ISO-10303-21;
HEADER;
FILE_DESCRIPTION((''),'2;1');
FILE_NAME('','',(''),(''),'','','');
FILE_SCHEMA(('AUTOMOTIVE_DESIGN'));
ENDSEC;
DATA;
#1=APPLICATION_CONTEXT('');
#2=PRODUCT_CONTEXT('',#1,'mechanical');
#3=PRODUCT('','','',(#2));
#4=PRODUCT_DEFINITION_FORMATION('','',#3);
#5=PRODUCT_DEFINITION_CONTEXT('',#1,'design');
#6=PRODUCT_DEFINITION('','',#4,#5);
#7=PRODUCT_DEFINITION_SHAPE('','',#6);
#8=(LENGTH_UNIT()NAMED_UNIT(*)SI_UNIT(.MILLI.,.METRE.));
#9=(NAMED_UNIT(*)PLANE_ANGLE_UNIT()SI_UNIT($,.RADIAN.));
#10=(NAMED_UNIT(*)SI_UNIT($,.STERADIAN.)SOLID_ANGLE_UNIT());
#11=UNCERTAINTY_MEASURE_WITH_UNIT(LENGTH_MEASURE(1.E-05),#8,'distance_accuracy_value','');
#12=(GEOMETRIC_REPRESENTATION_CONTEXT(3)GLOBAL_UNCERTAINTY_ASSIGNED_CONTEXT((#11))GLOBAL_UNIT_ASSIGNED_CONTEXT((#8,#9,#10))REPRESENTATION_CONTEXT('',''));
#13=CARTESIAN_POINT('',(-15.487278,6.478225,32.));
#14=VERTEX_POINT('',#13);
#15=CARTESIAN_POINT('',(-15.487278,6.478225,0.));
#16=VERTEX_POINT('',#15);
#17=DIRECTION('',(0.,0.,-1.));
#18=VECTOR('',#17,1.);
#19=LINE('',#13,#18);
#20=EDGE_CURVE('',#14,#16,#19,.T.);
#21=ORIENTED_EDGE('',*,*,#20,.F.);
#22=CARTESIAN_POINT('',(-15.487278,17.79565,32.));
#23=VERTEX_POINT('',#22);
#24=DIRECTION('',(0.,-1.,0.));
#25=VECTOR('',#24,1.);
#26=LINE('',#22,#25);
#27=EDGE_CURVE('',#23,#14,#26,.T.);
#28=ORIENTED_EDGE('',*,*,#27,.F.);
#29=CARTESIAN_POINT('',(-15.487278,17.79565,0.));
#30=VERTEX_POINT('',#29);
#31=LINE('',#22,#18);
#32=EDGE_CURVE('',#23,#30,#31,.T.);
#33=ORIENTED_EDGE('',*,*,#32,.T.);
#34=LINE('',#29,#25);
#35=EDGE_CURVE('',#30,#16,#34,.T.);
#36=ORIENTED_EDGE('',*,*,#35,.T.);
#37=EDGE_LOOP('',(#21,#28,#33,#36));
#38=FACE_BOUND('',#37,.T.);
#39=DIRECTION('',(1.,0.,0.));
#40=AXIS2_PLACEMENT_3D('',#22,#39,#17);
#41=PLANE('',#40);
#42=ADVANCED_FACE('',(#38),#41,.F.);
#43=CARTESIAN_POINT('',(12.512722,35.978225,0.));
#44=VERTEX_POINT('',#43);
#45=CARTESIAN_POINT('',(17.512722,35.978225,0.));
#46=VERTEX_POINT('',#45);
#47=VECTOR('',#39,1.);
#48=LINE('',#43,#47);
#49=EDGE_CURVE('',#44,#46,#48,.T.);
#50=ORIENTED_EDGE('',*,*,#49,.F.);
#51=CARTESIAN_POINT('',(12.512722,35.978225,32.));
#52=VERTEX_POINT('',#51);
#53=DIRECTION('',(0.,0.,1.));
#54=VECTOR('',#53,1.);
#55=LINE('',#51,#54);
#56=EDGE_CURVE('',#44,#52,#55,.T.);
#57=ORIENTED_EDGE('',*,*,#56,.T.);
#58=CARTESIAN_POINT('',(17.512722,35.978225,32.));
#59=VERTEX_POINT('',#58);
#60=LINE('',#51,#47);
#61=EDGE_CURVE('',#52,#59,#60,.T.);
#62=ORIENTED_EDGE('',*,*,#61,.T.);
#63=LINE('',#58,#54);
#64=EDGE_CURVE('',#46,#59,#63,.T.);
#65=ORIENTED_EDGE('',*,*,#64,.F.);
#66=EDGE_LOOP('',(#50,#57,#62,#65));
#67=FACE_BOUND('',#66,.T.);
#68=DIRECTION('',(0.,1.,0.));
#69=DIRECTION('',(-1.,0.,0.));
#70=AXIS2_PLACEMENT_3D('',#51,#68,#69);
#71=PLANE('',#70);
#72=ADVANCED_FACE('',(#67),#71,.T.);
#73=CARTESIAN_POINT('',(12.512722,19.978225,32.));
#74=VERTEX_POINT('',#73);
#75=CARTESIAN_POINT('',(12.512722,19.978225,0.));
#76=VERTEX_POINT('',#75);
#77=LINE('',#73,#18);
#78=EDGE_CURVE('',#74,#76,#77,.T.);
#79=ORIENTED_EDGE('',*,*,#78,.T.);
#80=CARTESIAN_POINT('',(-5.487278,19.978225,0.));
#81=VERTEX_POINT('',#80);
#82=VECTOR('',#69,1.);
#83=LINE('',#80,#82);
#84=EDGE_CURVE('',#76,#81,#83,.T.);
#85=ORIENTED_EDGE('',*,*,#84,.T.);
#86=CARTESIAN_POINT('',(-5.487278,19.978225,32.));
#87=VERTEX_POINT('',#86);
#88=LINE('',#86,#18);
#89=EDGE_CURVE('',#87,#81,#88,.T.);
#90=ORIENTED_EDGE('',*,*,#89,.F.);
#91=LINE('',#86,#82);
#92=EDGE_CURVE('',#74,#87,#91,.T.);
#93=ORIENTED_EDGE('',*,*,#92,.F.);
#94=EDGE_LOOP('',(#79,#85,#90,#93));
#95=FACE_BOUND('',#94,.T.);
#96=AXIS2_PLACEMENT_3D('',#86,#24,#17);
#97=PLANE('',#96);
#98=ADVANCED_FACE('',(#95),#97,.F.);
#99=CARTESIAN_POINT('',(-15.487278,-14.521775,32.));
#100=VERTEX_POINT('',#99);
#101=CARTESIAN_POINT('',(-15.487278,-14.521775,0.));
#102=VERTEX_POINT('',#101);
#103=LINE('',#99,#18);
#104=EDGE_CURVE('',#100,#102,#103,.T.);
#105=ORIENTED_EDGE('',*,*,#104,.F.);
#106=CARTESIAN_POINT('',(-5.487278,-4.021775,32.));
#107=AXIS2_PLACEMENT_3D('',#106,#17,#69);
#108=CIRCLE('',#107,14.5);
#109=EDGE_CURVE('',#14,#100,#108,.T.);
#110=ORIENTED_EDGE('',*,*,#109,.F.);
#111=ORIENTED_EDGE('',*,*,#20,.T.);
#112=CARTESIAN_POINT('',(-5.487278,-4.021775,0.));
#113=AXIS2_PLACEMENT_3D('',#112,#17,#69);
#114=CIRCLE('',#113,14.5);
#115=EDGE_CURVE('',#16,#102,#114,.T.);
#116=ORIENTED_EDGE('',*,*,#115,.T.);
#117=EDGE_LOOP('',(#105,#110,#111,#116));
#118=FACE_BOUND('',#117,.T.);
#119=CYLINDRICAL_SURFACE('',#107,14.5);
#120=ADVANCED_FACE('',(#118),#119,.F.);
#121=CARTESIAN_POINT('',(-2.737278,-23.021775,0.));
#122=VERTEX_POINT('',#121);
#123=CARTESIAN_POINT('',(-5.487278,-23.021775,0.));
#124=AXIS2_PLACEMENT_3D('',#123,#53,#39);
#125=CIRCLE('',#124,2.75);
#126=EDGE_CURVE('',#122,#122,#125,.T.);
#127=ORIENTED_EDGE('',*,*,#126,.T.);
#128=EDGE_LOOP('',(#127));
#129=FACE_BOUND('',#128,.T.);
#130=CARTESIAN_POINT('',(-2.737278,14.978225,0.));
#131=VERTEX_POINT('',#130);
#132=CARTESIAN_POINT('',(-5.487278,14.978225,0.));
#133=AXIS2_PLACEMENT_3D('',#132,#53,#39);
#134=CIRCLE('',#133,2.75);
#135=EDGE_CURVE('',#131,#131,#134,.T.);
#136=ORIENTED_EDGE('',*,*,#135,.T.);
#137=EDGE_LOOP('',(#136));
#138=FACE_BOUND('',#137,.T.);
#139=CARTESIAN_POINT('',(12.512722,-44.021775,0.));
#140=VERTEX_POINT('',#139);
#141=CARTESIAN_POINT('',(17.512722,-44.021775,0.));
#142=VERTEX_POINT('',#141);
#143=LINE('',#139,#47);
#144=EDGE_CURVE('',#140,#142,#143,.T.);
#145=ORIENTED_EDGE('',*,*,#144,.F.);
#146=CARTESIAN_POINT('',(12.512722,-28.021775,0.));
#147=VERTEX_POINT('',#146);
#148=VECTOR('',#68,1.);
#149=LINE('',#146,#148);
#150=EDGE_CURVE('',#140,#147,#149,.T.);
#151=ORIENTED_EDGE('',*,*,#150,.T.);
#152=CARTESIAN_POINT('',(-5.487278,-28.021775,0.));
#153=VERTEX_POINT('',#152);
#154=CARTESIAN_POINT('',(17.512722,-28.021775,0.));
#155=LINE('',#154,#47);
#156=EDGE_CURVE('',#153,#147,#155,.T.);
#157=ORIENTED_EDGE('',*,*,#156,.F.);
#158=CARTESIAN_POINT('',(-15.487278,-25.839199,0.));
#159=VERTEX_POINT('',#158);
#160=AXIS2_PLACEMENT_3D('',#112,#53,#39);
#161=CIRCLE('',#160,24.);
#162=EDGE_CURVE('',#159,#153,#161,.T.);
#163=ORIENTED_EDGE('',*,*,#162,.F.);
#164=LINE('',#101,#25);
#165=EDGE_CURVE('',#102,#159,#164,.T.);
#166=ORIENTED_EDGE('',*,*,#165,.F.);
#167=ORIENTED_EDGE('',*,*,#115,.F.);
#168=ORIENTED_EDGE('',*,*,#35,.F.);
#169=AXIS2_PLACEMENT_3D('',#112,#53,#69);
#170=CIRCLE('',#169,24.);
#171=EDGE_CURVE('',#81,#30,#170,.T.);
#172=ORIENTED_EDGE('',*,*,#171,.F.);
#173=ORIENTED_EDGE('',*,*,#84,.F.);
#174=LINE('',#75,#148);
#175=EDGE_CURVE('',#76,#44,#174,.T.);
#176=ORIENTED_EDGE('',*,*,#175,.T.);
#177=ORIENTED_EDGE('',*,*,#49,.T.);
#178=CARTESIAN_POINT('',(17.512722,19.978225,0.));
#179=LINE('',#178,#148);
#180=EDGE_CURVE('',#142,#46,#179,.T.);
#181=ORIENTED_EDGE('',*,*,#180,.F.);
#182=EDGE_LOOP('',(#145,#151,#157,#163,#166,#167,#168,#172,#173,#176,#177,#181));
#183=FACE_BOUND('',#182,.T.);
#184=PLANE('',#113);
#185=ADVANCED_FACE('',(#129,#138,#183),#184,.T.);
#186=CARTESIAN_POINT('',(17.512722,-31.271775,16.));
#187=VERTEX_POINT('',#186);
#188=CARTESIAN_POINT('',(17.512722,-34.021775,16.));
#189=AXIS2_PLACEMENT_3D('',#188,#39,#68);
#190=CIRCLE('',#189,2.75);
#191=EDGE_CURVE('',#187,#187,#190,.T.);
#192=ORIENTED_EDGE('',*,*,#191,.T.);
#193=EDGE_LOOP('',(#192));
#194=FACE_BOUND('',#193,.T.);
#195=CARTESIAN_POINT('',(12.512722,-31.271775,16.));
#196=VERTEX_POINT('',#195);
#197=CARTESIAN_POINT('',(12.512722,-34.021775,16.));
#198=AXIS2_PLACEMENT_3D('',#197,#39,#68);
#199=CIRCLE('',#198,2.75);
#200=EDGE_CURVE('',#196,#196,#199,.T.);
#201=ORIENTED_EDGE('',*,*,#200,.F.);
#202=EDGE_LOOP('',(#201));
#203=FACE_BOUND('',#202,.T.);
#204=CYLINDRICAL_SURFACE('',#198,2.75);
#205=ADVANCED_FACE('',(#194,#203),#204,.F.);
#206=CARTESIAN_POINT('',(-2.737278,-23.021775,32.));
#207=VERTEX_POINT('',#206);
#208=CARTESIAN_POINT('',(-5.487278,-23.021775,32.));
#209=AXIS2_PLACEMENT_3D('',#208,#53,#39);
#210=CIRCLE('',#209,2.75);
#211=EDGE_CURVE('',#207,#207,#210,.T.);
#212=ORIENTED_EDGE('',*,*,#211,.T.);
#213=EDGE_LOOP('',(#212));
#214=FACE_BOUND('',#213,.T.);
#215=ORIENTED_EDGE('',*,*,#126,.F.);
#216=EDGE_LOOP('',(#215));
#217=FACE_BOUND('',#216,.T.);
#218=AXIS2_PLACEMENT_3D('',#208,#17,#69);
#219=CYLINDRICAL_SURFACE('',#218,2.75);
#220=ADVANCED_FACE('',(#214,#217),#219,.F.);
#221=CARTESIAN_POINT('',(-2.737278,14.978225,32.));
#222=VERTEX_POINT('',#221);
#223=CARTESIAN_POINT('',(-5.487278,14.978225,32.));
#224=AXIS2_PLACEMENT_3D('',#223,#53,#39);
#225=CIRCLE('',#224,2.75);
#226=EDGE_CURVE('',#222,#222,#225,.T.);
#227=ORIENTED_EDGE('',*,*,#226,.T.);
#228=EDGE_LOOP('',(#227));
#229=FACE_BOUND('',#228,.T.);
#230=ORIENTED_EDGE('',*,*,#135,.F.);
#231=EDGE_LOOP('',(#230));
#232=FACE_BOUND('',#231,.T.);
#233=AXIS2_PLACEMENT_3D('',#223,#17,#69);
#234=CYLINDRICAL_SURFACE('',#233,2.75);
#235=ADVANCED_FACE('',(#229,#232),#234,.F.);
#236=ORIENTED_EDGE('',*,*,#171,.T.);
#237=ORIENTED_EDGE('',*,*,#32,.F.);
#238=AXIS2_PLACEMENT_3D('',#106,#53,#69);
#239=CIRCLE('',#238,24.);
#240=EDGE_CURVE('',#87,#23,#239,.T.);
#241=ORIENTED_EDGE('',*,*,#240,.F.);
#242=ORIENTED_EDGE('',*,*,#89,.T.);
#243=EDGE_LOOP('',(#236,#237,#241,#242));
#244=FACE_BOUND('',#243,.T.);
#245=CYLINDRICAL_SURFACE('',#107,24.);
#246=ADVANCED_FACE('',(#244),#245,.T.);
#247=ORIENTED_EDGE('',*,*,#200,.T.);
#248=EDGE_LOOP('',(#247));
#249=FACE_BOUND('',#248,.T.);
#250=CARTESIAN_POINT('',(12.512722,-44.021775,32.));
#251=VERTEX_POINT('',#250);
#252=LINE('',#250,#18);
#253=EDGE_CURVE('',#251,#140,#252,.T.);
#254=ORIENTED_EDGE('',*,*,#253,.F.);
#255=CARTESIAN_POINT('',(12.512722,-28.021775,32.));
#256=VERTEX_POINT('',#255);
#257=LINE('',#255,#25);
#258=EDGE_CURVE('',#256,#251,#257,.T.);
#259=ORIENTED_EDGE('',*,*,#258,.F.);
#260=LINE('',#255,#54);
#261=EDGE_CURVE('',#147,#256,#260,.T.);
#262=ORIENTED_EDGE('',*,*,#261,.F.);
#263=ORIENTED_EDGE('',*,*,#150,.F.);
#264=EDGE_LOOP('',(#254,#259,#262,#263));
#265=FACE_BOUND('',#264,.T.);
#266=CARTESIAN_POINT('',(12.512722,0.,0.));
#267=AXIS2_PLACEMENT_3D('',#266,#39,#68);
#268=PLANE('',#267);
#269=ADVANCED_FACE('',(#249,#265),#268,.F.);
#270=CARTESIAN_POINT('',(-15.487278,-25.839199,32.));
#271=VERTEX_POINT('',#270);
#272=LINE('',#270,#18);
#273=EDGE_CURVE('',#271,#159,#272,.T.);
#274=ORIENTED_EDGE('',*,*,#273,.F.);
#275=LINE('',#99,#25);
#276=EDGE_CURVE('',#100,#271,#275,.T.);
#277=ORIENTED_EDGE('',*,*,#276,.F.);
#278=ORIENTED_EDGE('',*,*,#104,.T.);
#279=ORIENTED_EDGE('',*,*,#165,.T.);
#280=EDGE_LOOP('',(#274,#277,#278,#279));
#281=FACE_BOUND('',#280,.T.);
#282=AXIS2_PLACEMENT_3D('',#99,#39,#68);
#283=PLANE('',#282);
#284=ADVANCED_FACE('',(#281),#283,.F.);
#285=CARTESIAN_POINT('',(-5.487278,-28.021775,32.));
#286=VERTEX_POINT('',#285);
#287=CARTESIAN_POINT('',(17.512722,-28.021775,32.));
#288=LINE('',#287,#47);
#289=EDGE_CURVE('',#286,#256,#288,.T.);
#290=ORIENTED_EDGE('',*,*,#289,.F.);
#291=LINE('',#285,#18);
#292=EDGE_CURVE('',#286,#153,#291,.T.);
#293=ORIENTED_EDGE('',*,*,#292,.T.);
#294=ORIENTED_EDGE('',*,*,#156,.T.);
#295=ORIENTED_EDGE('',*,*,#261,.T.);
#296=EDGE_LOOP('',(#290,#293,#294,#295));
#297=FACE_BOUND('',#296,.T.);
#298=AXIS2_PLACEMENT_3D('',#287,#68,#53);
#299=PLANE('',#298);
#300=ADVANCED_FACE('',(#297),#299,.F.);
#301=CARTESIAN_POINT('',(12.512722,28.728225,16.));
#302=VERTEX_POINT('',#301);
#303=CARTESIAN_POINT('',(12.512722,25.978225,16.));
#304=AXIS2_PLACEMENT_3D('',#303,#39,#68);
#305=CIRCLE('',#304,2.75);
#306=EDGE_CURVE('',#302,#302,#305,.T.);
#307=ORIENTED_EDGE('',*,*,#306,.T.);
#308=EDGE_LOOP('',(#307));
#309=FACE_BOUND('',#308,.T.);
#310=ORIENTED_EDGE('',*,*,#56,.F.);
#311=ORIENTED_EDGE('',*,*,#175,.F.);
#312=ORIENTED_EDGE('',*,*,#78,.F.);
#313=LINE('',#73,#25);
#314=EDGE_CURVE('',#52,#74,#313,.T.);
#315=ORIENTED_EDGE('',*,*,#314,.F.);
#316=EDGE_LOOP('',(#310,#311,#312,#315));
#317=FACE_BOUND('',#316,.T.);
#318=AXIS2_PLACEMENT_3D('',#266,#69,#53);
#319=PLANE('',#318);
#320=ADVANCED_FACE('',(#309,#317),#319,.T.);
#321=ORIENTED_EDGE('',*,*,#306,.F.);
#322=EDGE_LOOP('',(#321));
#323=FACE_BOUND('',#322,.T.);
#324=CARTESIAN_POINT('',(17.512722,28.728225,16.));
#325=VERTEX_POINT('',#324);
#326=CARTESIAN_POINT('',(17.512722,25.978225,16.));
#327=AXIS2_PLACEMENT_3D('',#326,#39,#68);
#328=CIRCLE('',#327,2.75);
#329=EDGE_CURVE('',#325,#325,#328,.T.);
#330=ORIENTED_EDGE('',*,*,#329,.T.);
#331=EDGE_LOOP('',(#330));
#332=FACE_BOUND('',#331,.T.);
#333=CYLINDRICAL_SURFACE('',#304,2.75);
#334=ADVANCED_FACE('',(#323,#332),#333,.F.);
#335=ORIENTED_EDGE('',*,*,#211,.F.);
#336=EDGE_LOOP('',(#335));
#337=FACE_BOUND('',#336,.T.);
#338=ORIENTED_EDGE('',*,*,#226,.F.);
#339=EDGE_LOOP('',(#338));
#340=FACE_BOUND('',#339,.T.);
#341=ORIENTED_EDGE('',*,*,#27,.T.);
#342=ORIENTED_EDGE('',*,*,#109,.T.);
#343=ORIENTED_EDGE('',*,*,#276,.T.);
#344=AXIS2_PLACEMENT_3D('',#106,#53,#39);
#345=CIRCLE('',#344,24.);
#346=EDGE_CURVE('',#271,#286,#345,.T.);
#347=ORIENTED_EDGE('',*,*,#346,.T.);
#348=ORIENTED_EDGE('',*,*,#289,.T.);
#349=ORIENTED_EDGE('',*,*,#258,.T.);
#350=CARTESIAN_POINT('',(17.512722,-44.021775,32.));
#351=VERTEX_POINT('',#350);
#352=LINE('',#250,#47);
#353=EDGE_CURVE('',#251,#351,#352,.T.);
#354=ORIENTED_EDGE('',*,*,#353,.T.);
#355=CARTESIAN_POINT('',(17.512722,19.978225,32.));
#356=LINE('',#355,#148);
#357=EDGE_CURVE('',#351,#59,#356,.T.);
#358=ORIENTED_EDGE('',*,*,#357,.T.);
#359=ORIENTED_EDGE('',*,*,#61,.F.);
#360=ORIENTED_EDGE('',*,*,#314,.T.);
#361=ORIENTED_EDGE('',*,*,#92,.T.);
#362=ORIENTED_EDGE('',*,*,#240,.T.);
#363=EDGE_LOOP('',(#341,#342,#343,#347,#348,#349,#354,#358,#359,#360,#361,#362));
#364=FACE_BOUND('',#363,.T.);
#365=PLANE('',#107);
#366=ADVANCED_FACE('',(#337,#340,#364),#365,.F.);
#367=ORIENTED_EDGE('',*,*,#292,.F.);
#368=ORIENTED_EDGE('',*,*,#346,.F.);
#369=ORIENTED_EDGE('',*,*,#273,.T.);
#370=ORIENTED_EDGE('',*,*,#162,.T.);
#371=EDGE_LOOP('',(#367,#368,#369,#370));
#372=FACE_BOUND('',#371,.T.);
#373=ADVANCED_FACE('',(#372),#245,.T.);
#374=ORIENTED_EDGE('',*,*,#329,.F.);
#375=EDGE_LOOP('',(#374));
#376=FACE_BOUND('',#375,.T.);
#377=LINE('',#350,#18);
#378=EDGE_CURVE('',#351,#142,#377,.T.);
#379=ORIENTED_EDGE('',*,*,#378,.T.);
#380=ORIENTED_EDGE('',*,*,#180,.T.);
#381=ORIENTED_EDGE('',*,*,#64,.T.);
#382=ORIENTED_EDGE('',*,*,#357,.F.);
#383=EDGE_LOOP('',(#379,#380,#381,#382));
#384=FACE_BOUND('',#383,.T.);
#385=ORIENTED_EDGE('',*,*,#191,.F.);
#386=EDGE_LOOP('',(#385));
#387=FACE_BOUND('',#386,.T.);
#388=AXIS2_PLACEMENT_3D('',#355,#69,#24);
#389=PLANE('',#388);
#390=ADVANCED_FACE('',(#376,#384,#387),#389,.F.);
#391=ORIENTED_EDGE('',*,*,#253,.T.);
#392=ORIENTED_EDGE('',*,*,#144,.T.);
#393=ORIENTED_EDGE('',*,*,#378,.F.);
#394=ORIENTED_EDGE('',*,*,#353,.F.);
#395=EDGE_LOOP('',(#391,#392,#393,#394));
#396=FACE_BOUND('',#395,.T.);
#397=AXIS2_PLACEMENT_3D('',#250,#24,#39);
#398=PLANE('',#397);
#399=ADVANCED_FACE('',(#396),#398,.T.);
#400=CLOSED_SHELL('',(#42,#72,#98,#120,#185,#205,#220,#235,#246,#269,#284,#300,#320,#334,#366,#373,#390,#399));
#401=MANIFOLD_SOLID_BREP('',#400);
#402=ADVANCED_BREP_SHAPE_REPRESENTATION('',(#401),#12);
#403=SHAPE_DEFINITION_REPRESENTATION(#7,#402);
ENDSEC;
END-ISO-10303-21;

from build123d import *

# Parameters (mm, degrees)
ESQUISSE2_R        = 2.75
BOSS_EXTRU_1_DEPTH = 32
ESQUISSE3_W        = 32
ESQUISSE3_H        = 16
ESQUISSE3_R        = 2.75
BOSS_EXTRU_2_DEPTH = 5


with BuildPart() as part:
    # Esquisse2 → Boss.-Extru.1 (new body)
    with BuildSketch(Plane.XY):
        with BuildLine():
            Line((-5.48727754, 19.978225401), (17.51272246, 19.978225401))
            Line((17.51272246, 19.978225401), (17.51272246, -28.021774599))
            Line((17.51272246, -28.021774599), (-5.48727754, -28.021774599))
            ThreePointArc((-5.48727754, -28.021774599), (-10.604983007, -27.469782846), (-15.48727754, -25.839198829))
            Line((-15.48727754, -25.839198829), (-15.48727754, -14.521774599))
            ThreePointArc((-15.48727754, -14.521774599), (9.01272246, -4.021774599), (-15.48727754, 6.478225401))
            Line((-15.48727754, 6.478225401), (-15.48727754, 17.79564963))
            ThreePointArc((-15.48727754, 17.79564963), (-10.604983007, 19.426233648), (-5.48727754, 19.978225401))
        make_face()
        with Locations((-5.48727754, 14.978225401)):
            Circle(ESQUISSE2_R, mode=Mode.SUBTRACT)
        with Locations((-5.48727754, -23.021774599)):
            Circle(ESQUISSE2_R, mode=Mode.SUBTRACT)
    extrude(amount=BOSS_EXTRU_1_DEPTH)

    # Esquisse3 → Boss.-Extru.2 (add)
    # profile 1 of 2: a face of its own
    with BuildSketch(Plane(origin=(17.51272246, 0, 0), x_dir=(0, 0, -1), z_dir=(1, 0, 0))):
        with Locations((-16, 27.978225401)):
            Rectangle(ESQUISSE3_W, ESQUISSE3_H)
        with Locations(Location((-16, 25.978225401, 0), (0, 0, 90))):
            Circle(ESQUISSE3_R, mode=Mode.SUBTRACT)
    # profile 2 of 2: a face of its own
    with BuildSketch(Plane(origin=(17.51272246, 0, 0), x_dir=(0, 0, -1), z_dir=(1, 0, 0))):
        with Locations((-16, -36.021774599)):
            Rectangle(ESQUISSE3_W, ESQUISSE3_H)
        with Locations(Location((-16, -34.021774599, 0), (0, 0, 90))):
            Circle(ESQUISSE3_R, mode=Mode.SUBTRACT)
    extrude(amount=-BOSS_EXTRU_2_DEPTH)


solid = part.part
